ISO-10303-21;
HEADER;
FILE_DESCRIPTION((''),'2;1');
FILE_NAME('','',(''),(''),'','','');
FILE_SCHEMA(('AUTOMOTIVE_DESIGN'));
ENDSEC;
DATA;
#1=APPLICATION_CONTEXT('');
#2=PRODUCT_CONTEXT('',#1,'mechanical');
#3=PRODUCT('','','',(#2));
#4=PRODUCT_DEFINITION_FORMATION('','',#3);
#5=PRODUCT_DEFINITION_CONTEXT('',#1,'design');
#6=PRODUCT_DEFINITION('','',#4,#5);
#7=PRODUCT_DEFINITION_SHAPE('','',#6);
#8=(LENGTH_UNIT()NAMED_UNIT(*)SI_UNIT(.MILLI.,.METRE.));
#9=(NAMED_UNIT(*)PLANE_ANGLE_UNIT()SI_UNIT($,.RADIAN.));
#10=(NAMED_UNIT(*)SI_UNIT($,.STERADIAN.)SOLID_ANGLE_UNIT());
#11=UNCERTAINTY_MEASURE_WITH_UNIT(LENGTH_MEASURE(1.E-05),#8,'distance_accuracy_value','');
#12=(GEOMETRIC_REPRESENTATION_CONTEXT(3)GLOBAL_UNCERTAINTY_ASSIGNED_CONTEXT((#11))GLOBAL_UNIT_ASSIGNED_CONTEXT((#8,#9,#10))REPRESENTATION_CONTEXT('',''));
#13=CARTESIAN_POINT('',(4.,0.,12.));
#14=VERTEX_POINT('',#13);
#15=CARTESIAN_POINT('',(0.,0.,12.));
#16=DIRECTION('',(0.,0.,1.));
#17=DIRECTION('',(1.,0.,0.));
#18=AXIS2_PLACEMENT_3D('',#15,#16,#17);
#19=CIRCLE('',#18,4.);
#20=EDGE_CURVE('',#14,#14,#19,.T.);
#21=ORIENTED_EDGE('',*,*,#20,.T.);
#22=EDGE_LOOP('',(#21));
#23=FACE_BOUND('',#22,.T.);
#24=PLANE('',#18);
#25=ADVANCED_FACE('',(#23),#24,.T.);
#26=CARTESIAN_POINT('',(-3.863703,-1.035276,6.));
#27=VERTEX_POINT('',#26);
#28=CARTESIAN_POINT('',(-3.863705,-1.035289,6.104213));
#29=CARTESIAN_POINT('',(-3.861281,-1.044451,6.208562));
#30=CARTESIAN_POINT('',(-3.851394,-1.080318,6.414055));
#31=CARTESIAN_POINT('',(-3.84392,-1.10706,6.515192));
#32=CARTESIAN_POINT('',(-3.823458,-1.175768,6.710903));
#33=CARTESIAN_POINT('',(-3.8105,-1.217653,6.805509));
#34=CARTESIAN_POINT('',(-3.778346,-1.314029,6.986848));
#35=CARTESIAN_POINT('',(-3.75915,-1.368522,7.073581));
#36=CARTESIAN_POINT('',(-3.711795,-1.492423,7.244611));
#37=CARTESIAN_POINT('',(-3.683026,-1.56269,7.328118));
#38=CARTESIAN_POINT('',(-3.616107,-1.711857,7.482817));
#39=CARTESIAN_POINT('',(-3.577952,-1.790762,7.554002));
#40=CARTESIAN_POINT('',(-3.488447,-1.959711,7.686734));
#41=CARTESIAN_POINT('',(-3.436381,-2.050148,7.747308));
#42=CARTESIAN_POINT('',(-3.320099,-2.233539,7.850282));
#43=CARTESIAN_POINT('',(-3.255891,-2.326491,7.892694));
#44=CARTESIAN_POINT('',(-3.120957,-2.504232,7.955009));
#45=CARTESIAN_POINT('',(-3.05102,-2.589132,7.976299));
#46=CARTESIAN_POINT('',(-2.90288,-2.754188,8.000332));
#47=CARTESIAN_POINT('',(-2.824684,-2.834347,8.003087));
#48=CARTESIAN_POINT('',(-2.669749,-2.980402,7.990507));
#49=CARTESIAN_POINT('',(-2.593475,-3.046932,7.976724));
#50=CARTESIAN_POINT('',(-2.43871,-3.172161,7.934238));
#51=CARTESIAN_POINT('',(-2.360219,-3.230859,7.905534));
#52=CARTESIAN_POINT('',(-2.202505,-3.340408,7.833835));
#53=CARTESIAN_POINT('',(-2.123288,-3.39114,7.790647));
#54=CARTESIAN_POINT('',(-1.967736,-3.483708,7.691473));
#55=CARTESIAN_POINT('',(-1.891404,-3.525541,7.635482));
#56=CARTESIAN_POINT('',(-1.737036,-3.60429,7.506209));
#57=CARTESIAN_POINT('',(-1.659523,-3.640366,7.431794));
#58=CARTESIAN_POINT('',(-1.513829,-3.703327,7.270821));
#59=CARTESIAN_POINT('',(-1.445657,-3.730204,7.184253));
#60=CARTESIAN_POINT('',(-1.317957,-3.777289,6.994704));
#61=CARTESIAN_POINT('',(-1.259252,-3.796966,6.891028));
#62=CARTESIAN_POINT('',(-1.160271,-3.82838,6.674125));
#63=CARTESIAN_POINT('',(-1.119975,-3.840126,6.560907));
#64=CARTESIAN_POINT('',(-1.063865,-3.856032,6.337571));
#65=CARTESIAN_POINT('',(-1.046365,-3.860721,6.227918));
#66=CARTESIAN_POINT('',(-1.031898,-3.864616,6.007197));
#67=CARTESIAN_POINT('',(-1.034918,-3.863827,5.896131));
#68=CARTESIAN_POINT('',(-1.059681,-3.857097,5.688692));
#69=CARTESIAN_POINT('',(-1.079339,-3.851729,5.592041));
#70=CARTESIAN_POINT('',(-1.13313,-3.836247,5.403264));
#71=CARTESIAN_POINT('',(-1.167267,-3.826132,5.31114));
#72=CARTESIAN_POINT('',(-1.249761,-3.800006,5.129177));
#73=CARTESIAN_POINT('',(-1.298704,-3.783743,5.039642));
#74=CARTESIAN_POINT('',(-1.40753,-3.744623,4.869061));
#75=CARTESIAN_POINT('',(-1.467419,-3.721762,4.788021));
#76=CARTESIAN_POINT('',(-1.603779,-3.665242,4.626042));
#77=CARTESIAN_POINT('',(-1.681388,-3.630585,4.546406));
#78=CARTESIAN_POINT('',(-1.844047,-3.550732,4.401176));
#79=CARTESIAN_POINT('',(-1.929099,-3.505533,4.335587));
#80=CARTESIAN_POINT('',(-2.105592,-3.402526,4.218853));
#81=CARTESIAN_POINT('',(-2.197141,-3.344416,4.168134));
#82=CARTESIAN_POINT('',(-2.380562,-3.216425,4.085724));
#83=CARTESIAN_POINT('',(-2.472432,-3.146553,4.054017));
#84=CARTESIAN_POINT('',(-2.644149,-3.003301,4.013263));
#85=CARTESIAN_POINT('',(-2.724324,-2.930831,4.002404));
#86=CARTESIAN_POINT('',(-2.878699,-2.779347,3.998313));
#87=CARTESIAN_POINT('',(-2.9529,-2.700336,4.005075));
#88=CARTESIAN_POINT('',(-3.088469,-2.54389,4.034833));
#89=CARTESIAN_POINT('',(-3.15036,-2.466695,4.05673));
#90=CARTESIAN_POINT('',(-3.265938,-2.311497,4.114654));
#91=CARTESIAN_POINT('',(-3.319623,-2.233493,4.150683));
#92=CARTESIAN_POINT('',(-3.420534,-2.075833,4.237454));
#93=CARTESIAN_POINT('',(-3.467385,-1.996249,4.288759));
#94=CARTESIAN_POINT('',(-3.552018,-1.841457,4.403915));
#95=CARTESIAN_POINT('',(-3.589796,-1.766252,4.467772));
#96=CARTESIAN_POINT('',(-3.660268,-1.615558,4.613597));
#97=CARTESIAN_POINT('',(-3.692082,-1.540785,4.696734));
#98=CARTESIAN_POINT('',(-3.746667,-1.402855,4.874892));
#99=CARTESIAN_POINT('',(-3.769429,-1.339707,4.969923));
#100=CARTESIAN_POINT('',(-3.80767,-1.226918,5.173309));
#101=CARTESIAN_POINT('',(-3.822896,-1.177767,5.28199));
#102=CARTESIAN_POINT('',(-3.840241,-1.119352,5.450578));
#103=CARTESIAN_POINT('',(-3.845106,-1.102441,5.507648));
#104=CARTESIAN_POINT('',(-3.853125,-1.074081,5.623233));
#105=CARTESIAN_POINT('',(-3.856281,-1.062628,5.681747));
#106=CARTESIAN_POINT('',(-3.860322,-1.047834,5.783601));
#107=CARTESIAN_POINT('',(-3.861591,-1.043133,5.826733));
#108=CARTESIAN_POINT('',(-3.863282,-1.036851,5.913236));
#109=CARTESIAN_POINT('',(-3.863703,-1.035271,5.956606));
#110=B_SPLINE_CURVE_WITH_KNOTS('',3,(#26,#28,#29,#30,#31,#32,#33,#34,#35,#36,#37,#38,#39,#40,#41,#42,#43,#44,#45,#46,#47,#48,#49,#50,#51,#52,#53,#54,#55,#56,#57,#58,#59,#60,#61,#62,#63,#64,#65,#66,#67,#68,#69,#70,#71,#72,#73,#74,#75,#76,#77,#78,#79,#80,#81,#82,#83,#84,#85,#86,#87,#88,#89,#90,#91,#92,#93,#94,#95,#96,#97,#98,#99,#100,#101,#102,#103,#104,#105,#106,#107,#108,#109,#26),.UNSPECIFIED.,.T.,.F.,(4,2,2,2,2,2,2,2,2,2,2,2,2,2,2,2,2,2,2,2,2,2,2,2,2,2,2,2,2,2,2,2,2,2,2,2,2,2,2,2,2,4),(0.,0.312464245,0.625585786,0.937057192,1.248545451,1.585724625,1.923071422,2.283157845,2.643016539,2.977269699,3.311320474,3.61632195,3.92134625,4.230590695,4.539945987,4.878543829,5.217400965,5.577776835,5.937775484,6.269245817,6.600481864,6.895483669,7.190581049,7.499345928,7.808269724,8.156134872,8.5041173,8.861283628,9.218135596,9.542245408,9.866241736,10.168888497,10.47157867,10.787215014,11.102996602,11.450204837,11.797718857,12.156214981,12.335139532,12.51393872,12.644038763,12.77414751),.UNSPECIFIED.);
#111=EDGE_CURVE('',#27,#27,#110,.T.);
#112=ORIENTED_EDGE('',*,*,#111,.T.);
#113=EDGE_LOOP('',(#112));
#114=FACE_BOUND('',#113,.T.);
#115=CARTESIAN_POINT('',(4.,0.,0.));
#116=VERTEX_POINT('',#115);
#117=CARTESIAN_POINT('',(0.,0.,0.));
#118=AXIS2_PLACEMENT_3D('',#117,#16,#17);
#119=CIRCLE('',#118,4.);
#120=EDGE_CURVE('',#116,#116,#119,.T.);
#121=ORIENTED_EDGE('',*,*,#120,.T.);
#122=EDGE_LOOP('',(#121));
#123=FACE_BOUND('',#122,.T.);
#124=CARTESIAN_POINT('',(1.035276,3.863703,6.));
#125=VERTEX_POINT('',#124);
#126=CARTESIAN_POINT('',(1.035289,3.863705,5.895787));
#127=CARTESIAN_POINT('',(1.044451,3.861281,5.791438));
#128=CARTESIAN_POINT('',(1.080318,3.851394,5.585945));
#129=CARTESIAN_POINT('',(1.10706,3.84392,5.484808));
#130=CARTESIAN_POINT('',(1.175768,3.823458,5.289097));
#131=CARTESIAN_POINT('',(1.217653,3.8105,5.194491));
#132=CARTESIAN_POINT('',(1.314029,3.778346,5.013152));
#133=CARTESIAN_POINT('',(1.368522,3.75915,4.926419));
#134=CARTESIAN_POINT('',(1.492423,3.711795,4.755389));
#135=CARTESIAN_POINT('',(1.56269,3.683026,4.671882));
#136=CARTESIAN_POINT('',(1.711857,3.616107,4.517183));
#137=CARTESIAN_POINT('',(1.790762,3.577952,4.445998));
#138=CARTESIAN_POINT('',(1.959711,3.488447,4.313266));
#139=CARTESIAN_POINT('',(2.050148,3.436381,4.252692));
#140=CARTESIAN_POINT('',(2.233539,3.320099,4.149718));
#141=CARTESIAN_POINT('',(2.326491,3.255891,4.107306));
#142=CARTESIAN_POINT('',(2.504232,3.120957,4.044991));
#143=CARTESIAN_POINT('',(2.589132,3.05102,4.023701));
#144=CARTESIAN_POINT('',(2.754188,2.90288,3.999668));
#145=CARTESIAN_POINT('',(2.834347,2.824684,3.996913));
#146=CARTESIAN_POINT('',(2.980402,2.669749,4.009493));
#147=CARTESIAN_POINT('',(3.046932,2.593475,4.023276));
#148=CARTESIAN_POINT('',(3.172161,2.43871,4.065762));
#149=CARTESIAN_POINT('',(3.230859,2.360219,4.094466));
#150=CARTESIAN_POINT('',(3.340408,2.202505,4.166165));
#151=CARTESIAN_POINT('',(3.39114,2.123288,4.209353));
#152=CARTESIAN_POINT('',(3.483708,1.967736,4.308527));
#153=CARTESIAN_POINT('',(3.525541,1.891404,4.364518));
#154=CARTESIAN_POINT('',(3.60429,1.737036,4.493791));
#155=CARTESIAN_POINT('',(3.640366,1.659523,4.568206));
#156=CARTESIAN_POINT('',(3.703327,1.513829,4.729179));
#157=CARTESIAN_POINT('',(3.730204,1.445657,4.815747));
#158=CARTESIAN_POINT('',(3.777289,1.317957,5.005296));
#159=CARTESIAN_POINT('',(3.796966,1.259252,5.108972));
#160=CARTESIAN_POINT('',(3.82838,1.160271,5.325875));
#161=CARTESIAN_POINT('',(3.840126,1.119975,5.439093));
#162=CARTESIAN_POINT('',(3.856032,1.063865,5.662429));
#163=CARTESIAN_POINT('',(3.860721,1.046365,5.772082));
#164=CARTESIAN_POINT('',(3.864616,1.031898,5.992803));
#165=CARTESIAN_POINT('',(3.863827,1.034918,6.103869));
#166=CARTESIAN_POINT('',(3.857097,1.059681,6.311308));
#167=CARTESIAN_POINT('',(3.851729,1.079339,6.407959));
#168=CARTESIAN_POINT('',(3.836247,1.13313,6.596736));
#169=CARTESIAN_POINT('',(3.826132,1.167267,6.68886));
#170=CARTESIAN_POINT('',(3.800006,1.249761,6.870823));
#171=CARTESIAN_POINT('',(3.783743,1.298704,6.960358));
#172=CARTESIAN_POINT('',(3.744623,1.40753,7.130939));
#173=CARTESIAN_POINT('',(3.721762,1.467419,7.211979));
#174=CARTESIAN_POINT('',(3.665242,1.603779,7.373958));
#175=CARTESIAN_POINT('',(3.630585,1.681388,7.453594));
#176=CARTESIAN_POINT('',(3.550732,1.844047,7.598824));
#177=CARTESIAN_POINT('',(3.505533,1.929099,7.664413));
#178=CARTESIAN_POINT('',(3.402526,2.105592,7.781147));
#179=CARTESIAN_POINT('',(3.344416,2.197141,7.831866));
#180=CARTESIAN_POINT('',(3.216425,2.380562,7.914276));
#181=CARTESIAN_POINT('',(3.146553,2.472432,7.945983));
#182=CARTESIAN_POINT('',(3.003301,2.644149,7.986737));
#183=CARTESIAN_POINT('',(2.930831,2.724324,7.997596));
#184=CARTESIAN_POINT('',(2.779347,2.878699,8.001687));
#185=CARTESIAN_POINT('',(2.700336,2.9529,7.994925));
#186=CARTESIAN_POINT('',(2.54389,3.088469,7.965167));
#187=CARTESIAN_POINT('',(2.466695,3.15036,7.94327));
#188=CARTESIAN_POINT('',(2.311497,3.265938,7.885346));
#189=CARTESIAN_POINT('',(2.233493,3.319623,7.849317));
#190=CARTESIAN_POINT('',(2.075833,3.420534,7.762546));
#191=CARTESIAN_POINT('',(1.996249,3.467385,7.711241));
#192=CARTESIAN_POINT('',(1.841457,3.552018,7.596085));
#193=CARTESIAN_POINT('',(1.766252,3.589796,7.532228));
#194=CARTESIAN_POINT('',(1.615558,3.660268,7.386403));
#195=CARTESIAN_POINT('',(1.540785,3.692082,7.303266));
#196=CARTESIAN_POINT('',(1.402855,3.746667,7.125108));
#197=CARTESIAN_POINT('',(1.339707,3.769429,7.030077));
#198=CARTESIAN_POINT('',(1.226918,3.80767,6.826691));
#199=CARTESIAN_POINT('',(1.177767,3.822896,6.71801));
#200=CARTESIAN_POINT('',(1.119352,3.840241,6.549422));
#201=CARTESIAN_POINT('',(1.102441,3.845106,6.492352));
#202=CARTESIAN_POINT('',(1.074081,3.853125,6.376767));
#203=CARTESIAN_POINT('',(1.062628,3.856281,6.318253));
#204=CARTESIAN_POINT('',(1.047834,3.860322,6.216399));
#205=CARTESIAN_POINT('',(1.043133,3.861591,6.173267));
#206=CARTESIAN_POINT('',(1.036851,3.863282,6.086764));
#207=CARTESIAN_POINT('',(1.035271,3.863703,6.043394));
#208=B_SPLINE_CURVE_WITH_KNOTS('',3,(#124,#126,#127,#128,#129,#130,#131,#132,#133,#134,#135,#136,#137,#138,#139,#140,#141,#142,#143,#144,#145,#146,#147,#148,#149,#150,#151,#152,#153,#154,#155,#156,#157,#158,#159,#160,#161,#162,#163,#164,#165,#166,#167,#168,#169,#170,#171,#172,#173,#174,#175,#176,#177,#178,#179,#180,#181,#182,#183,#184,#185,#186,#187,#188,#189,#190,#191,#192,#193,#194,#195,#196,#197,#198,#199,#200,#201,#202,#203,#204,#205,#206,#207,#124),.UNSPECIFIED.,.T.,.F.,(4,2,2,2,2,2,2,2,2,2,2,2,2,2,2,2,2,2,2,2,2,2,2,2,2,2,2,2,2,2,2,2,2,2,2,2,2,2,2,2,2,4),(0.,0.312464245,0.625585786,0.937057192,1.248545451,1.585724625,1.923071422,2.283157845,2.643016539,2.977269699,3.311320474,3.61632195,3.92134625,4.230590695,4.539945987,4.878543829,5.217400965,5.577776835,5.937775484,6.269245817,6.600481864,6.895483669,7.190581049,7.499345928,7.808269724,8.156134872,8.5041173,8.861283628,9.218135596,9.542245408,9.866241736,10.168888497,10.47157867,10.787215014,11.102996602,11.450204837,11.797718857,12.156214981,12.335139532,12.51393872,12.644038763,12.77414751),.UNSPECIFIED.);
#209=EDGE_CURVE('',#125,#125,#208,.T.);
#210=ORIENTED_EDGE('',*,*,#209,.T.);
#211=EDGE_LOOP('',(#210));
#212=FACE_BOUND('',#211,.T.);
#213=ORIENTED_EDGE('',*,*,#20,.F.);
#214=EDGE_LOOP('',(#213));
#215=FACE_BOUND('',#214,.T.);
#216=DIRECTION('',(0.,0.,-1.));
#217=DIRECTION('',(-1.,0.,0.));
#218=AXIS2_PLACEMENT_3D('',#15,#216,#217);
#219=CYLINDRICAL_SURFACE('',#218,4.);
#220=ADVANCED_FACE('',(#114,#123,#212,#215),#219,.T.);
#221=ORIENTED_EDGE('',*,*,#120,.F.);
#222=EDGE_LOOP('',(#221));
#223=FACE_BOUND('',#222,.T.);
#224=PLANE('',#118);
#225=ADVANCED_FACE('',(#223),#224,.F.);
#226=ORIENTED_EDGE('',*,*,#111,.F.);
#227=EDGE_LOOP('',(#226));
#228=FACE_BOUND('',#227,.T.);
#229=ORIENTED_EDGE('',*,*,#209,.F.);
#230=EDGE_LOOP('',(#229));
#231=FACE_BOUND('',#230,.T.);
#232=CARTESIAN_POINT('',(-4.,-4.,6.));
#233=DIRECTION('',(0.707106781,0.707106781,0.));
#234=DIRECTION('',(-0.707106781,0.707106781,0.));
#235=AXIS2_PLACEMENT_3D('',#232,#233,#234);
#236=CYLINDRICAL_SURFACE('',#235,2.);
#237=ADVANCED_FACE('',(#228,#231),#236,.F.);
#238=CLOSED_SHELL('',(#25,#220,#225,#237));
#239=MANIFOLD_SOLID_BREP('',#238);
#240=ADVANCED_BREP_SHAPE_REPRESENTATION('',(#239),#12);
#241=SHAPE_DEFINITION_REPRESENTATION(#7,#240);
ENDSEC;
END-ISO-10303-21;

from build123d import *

# Parameters (mm, degrees)
SKETCH1_R           = 4
BOSS_EXTRUDE1_DEPTH = 12
SKETCH2_R           = 2
CUT_EXTRUDE1_DEPTH  = 10.656854249


with BuildPart() as part:
    # Sketch1 → Boss-Extrude1 (new body)
    with BuildSketch(Plane.XY):
        Circle(SKETCH1_R)
    extrude(amount=BOSS_EXTRUDE1_DEPTH)

    # Sketch2 → Cut-Extrude1 (cut, through all)
    with BuildSketch(Plane(origin=(2.828427125, 2.828427125, 0), x_dir=(0.707106781, -0.707106781, 0), z_dir=(0.707106781, 0.707106781, 0))):
        with Locations((0, -6)):
            Circle(SKETCH2_R)
    extrude(amount=-CUT_EXTRUDE1_DEPTH, mode=Mode.SUBTRACT)


solid = part.part
